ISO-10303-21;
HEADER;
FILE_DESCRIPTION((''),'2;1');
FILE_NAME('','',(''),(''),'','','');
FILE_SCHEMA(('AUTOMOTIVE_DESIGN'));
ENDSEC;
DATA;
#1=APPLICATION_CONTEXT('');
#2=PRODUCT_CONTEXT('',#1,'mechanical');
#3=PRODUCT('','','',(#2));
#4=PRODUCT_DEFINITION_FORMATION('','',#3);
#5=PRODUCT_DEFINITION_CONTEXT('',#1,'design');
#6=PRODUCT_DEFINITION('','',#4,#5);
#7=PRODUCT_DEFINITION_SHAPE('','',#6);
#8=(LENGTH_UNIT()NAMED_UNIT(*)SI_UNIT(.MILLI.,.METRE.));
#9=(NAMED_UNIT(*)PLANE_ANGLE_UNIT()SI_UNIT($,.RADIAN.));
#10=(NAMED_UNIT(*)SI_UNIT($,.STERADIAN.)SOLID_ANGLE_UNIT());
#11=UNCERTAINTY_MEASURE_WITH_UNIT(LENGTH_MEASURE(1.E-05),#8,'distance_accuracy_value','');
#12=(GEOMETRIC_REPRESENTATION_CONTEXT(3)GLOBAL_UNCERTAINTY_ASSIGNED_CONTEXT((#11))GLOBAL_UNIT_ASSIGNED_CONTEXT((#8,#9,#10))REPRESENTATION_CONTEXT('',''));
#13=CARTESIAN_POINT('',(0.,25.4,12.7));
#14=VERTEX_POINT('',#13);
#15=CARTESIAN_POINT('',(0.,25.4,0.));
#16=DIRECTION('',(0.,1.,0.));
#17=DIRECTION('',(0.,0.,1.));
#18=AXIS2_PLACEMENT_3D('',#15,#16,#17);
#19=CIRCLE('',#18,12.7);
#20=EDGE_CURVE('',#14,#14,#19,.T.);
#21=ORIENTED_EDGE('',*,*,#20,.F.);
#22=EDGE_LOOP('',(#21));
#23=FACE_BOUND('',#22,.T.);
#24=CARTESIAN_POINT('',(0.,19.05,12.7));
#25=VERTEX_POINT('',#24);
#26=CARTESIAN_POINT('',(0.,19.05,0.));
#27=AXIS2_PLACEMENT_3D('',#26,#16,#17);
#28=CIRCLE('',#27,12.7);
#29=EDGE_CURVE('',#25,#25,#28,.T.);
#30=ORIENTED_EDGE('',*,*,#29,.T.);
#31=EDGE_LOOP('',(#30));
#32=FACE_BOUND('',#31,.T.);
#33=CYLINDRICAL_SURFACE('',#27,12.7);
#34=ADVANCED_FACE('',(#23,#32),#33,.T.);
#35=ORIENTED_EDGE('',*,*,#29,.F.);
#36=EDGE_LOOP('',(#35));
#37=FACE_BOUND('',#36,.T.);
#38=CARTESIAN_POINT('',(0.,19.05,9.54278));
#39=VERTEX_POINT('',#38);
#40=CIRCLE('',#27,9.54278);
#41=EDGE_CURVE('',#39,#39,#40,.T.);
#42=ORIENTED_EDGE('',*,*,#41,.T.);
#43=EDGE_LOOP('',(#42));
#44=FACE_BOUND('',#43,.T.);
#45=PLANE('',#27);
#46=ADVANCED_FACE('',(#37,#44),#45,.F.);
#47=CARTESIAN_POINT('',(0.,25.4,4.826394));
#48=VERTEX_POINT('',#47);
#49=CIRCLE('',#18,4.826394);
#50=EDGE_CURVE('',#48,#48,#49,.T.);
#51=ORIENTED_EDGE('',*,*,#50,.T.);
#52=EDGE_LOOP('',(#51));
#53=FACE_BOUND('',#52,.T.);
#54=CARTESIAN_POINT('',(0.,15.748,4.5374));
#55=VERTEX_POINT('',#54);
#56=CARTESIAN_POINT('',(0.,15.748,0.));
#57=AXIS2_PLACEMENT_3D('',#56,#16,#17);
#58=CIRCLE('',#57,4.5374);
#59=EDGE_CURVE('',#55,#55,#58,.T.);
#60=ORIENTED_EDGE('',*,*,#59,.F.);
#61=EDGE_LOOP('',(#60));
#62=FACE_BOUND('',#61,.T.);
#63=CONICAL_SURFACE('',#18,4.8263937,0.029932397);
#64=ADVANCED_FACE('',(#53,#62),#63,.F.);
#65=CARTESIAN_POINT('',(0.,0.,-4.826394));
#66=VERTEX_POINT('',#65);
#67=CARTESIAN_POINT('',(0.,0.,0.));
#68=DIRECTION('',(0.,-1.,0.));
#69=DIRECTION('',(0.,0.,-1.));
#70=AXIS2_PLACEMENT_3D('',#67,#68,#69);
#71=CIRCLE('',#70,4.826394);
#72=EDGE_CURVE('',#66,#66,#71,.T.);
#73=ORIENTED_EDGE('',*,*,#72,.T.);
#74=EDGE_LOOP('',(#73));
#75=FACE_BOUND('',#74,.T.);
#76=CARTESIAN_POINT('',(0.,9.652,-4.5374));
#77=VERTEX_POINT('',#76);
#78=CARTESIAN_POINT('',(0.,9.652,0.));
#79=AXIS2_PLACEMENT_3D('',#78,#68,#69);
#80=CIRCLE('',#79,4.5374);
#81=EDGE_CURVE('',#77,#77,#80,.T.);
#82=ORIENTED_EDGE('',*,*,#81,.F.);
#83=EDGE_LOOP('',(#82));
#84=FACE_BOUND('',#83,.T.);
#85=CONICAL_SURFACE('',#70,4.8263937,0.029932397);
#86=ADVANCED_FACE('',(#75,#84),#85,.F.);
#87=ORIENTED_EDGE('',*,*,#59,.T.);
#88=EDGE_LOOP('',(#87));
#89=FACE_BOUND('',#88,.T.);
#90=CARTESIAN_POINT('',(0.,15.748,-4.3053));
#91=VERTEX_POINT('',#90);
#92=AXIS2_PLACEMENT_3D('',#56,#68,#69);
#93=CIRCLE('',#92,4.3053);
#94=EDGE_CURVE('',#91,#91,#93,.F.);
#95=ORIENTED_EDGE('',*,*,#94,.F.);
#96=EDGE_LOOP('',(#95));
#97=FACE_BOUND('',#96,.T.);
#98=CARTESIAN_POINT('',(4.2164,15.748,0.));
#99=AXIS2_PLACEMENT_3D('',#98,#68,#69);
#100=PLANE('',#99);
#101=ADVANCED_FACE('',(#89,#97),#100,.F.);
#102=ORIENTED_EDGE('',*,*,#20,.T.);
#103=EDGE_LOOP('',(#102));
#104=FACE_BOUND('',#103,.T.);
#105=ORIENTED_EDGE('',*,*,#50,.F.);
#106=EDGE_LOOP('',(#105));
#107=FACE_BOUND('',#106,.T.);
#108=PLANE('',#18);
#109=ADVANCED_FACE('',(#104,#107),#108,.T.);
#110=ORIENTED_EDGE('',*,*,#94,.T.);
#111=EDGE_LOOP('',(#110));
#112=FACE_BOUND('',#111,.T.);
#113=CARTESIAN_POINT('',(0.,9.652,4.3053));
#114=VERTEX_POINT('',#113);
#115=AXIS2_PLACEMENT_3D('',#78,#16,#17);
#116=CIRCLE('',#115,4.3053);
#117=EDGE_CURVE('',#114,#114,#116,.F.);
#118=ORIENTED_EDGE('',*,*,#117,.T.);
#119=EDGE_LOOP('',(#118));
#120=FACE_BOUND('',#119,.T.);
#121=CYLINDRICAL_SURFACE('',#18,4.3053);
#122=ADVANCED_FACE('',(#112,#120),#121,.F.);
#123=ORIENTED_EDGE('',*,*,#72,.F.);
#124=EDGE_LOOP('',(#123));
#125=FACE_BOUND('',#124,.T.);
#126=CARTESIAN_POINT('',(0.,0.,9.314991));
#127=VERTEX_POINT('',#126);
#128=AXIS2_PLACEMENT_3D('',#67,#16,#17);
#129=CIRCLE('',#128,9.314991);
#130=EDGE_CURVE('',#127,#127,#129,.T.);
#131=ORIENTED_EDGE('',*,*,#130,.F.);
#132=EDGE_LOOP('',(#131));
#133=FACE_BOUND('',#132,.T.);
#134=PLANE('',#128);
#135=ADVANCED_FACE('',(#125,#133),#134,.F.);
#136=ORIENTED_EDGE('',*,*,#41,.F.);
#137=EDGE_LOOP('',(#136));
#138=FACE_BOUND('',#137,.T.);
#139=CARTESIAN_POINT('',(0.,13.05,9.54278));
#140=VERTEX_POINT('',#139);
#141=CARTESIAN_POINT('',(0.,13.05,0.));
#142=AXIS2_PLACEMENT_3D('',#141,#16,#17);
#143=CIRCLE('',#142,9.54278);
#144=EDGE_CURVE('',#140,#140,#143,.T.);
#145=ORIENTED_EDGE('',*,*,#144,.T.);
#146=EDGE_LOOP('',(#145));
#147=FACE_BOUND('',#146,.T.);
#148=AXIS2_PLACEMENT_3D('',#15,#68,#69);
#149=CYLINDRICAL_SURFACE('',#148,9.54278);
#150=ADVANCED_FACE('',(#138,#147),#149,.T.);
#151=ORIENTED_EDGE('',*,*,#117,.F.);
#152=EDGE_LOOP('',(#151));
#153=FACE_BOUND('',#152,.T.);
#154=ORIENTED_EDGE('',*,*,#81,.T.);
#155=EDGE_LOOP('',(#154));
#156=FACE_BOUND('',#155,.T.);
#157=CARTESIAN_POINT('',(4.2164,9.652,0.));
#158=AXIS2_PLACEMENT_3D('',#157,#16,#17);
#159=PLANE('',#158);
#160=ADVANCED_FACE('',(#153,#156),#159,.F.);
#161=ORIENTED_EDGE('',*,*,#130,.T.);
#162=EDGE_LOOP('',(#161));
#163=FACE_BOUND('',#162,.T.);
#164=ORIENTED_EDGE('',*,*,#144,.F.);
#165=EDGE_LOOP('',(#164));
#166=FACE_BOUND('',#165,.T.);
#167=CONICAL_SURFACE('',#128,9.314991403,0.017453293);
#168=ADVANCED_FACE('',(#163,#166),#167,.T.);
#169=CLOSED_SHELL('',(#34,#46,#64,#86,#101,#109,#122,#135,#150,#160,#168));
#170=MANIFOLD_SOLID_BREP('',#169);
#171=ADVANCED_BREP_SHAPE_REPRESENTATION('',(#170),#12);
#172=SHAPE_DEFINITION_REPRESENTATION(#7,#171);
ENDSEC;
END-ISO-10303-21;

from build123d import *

# Parameters (mm, degrees)
SKETCH1_R                = 9.54278
BOSS_EXTRUDE1_DEPTH      = 25.4
SKETCH2_R                = 12.7
BOSS_EXTRUDE2_DEPTH      = 6.35
R_0_339_DIAMETER_HOLE1_D = 8.6106


with BuildPart() as part:
    # Sketch1 → Boss-Extrude1 (new body)
    with BuildSketch(Plane(origin=(0, 0, 0), x_dir=(1, 0, 0), z_dir=(0, 1, 0))):
        with Locations(Location((0, 0, 0), (0, 0, 270))):
            Circle(SKETCH1_R)
    extrude(amount=BOSS_EXTRUDE1_DEPTH)

    # Sketch2 → Boss-Extrude2 (add)
    with BuildSketch(Plane(origin=(0, 25.4, 0), x_dir=(1, 0, 0), z_dir=(0, 1, 0))):
        with Locations(Location((0, 0, 0), (0, 0, 270))):
            Circle(SKETCH2_R)
    extrude(amount=-BOSS_EXTRUDE2_DEPTH)

    # R (0.339) Diameter Hole1 (through all)
    with Locations(Plane(origin=(0, 25.4, 0), x_dir=(1, 0, 0), z_dir=(0, 1, 0))):
        with Locations((0, 0)):
            Hole(R_0_339_DIAMETER_HOLE1_D / 2)

    # Sketch4 → 1/8 NPT Tapped Hole1 (revolve, cut)
    with BuildSketch(Plane(origin=(0, 25.4, 0), x_dir=(0, 0, 1), z_dir=(1, 0, 0))):
        Polygon((0, 0), (0, 14.478), (4.2164, 11.944531286), (4.2164, 9.652), (4.537399894, 9.652), (4.8263937, 0), align=None)
    revolve(axis=Axis((0, 31.75, 0), (0, -1, 0)), mode=Mode.SUBTRACT)

    # Sketch6 → 1/8 NPT Tapped Hole2 (revolve, cut)
    with BuildSketch(Plane(origin=(0, 0, 0), x_dir=(0, 0, -1), z_dir=(1, 0, 0))):
        Polygon((0, 0), (0, 14.478), (4.2164, 11.944531286), (4.2164, 9.652), (4.537399894, 9.652), (4.8263937, 0), align=None)
    revolve(axis=Axis((0, -6.35, 0), (0, 1, 0)), mode=Mode.SUBTRACT)

    # Sketch9 → Cut-Revolve1 (revolve, cut)
    with BuildSketch(Plane(origin=(0, 0, 0), x_dir=(0, 0, -1), z_dir=(1, 0, 0))):
        Polygon((-9.314991403, 0), (-9.54278, 13.05), (-9.54278, 0), align=None)
    revolve(axis=Axis((0, 19.05, 0), (0, -1, 0)), mode=Mode.SUBTRACT)


solid = part.part
